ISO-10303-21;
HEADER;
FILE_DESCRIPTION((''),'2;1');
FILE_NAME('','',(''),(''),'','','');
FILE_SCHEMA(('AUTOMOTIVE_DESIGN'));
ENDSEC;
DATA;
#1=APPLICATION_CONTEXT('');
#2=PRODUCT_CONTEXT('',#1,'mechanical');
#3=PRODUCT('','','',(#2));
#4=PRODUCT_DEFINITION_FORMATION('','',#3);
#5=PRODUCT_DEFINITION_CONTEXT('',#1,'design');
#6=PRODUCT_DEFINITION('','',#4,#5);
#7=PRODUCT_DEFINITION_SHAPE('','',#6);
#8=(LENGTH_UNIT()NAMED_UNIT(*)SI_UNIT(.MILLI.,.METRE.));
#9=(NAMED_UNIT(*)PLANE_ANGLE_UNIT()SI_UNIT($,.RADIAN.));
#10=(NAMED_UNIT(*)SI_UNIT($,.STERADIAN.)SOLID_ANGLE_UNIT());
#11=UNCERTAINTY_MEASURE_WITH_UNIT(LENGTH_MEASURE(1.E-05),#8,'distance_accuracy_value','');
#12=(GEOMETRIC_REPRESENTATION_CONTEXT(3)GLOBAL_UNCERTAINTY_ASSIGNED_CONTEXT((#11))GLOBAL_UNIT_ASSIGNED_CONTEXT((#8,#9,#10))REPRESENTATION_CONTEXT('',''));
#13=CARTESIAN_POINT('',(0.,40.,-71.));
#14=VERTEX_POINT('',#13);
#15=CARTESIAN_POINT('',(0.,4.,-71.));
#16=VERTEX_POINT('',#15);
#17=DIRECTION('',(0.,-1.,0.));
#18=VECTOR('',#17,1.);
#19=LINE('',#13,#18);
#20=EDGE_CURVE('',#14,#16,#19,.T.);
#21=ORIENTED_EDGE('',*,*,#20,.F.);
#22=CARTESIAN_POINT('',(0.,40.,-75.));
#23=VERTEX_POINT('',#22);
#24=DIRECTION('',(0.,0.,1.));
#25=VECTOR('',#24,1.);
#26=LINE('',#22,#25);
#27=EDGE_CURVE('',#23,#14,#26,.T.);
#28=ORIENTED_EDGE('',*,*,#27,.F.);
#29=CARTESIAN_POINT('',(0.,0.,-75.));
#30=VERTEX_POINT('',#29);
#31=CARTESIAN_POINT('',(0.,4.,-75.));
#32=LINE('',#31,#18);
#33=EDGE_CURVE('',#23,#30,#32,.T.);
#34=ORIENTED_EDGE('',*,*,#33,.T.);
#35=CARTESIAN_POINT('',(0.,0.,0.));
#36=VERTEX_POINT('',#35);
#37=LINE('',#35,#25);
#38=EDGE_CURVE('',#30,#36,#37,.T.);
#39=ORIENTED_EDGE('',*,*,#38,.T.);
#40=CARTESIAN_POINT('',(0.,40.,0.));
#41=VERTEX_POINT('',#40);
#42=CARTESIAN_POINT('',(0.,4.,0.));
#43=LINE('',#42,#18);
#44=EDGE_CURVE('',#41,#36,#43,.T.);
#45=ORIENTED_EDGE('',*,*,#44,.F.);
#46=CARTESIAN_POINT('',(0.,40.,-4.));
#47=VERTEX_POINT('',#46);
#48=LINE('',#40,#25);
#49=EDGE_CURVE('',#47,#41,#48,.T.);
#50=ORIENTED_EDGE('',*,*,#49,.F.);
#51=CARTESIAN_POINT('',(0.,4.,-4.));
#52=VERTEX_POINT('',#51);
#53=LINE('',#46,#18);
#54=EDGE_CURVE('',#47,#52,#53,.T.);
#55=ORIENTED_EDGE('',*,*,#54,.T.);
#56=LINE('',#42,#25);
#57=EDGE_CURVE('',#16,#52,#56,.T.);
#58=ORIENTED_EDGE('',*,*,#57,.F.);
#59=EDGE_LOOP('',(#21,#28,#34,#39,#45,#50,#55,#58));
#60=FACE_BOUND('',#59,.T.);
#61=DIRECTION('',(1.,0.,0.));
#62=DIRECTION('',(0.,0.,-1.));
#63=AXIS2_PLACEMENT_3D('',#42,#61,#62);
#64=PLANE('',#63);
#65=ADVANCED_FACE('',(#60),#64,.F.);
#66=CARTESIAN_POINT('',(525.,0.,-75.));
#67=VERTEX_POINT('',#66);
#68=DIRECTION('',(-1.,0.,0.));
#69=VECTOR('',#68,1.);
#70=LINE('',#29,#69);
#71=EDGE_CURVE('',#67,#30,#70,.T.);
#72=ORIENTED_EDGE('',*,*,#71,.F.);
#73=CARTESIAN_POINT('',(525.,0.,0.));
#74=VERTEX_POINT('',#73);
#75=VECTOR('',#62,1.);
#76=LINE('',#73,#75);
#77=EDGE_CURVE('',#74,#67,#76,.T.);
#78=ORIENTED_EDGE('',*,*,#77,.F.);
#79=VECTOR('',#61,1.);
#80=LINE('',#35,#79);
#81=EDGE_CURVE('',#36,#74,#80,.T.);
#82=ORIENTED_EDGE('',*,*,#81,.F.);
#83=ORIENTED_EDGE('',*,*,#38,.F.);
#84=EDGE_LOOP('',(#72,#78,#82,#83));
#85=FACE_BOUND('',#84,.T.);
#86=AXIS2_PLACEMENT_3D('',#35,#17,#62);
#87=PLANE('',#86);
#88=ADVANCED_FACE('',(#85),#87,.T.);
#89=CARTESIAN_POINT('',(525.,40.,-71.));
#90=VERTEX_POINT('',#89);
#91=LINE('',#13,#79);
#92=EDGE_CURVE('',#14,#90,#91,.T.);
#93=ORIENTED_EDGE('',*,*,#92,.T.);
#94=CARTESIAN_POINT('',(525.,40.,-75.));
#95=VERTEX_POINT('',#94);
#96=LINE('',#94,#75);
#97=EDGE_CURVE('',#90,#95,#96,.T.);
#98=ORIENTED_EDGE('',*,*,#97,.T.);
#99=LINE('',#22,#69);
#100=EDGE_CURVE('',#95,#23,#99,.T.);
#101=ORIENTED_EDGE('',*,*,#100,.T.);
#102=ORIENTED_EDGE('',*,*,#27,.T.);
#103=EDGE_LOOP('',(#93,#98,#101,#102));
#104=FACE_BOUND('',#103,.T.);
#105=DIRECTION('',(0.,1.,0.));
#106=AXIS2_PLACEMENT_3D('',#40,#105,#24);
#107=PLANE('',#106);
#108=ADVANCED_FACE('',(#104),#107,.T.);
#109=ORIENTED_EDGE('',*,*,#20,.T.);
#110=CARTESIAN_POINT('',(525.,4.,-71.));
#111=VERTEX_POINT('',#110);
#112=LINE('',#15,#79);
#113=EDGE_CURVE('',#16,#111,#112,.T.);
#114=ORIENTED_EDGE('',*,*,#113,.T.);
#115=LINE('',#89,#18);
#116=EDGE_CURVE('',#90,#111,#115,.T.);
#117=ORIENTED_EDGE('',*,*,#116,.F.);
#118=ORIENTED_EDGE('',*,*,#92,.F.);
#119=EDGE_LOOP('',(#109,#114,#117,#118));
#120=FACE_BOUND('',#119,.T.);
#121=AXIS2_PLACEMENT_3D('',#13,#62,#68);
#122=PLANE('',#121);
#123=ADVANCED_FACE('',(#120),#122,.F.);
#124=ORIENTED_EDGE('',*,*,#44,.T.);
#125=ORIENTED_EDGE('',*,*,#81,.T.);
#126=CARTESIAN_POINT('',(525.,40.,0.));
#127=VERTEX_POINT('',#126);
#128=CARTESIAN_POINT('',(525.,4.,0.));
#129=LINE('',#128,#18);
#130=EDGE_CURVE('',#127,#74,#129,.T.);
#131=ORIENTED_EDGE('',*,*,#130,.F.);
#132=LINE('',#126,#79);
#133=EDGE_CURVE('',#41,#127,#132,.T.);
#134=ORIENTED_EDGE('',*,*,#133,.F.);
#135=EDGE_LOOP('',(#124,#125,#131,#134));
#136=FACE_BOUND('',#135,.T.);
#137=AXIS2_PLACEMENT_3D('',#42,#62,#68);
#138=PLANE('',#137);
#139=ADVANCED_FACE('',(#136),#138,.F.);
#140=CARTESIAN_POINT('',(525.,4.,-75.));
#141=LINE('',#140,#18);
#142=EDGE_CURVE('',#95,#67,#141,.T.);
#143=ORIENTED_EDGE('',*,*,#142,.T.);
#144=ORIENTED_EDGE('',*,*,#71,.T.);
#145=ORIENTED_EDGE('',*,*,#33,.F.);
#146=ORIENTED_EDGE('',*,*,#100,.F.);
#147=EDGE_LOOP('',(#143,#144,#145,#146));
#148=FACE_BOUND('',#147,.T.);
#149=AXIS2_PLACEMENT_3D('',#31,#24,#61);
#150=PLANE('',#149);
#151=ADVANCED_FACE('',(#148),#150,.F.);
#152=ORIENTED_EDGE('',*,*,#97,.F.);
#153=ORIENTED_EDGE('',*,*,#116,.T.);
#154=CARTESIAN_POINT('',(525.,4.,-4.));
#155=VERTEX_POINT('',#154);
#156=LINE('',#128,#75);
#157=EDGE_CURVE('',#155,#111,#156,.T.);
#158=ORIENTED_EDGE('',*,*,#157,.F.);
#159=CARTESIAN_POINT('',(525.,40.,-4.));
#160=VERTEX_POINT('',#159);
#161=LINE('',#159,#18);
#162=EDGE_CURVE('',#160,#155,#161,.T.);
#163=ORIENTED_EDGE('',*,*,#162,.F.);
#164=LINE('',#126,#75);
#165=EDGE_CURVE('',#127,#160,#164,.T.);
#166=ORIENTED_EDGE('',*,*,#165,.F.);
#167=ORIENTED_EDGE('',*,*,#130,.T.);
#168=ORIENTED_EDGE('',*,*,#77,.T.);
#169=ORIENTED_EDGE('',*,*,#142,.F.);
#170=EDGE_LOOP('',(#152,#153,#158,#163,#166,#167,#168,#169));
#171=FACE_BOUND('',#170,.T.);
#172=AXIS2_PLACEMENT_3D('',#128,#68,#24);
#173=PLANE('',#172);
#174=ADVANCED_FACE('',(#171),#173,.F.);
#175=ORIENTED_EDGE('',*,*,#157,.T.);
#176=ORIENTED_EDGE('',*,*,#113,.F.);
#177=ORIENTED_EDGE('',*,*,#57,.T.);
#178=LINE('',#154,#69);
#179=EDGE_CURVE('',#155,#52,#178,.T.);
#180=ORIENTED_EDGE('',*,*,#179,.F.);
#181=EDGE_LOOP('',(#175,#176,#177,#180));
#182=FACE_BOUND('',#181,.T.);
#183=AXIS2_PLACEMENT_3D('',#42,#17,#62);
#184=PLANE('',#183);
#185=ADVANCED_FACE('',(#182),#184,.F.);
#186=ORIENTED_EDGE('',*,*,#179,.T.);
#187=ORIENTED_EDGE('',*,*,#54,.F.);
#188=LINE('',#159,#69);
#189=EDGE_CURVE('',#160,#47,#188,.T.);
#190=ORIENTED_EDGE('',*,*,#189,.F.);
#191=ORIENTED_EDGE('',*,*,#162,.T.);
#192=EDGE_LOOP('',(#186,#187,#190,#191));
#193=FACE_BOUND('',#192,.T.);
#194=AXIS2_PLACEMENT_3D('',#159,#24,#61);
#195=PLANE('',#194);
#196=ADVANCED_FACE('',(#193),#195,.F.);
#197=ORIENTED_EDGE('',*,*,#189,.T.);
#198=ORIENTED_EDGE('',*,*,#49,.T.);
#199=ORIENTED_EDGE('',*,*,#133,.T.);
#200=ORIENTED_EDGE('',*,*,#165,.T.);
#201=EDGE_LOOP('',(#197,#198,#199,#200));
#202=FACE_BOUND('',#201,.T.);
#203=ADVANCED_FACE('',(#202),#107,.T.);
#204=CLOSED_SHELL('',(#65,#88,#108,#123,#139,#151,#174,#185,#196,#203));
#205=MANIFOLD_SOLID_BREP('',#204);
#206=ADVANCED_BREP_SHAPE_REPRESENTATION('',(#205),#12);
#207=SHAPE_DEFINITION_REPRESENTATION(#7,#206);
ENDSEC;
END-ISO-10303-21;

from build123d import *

# Parameters (mm, degrees)
SKETCH_1_W      = 525
SKETCH_1_H      = 75
EXTRUDE_1_DEPTH = 4
SKETCH_2_W      = 525
SKETCH_2_H      = 4
EXTRUDE_2_DEPTH = 36


with BuildPart() as part:
    # 스케치1 → 보스-돌출1 (new body)
    with BuildSketch(Plane(origin=(0, 0, 0), x_dir=(1, 0, 0), z_dir=(0, 1, 0))):
        with Locations((262.5, 37.5)):
            Rectangle(SKETCH_1_W, SKETCH_1_H)
    extrude(amount=EXTRUDE_1_DEPTH)

    # 스케치2 → 보스-돌출2 (add)
    with BuildSketch(Plane(origin=(0, 4, 0), x_dir=(1, 0, 0), z_dir=(0, 1, 0))):
        with Locations((262.5, 73)):
            Rectangle(SKETCH_2_W, SKETCH_2_H)
        with Locations((262.5, 2)):
            Rectangle(SKETCH_2_W, SKETCH_2_H)
    extrude(amount=EXTRUDE_2_DEPTH)


solid = part.part
